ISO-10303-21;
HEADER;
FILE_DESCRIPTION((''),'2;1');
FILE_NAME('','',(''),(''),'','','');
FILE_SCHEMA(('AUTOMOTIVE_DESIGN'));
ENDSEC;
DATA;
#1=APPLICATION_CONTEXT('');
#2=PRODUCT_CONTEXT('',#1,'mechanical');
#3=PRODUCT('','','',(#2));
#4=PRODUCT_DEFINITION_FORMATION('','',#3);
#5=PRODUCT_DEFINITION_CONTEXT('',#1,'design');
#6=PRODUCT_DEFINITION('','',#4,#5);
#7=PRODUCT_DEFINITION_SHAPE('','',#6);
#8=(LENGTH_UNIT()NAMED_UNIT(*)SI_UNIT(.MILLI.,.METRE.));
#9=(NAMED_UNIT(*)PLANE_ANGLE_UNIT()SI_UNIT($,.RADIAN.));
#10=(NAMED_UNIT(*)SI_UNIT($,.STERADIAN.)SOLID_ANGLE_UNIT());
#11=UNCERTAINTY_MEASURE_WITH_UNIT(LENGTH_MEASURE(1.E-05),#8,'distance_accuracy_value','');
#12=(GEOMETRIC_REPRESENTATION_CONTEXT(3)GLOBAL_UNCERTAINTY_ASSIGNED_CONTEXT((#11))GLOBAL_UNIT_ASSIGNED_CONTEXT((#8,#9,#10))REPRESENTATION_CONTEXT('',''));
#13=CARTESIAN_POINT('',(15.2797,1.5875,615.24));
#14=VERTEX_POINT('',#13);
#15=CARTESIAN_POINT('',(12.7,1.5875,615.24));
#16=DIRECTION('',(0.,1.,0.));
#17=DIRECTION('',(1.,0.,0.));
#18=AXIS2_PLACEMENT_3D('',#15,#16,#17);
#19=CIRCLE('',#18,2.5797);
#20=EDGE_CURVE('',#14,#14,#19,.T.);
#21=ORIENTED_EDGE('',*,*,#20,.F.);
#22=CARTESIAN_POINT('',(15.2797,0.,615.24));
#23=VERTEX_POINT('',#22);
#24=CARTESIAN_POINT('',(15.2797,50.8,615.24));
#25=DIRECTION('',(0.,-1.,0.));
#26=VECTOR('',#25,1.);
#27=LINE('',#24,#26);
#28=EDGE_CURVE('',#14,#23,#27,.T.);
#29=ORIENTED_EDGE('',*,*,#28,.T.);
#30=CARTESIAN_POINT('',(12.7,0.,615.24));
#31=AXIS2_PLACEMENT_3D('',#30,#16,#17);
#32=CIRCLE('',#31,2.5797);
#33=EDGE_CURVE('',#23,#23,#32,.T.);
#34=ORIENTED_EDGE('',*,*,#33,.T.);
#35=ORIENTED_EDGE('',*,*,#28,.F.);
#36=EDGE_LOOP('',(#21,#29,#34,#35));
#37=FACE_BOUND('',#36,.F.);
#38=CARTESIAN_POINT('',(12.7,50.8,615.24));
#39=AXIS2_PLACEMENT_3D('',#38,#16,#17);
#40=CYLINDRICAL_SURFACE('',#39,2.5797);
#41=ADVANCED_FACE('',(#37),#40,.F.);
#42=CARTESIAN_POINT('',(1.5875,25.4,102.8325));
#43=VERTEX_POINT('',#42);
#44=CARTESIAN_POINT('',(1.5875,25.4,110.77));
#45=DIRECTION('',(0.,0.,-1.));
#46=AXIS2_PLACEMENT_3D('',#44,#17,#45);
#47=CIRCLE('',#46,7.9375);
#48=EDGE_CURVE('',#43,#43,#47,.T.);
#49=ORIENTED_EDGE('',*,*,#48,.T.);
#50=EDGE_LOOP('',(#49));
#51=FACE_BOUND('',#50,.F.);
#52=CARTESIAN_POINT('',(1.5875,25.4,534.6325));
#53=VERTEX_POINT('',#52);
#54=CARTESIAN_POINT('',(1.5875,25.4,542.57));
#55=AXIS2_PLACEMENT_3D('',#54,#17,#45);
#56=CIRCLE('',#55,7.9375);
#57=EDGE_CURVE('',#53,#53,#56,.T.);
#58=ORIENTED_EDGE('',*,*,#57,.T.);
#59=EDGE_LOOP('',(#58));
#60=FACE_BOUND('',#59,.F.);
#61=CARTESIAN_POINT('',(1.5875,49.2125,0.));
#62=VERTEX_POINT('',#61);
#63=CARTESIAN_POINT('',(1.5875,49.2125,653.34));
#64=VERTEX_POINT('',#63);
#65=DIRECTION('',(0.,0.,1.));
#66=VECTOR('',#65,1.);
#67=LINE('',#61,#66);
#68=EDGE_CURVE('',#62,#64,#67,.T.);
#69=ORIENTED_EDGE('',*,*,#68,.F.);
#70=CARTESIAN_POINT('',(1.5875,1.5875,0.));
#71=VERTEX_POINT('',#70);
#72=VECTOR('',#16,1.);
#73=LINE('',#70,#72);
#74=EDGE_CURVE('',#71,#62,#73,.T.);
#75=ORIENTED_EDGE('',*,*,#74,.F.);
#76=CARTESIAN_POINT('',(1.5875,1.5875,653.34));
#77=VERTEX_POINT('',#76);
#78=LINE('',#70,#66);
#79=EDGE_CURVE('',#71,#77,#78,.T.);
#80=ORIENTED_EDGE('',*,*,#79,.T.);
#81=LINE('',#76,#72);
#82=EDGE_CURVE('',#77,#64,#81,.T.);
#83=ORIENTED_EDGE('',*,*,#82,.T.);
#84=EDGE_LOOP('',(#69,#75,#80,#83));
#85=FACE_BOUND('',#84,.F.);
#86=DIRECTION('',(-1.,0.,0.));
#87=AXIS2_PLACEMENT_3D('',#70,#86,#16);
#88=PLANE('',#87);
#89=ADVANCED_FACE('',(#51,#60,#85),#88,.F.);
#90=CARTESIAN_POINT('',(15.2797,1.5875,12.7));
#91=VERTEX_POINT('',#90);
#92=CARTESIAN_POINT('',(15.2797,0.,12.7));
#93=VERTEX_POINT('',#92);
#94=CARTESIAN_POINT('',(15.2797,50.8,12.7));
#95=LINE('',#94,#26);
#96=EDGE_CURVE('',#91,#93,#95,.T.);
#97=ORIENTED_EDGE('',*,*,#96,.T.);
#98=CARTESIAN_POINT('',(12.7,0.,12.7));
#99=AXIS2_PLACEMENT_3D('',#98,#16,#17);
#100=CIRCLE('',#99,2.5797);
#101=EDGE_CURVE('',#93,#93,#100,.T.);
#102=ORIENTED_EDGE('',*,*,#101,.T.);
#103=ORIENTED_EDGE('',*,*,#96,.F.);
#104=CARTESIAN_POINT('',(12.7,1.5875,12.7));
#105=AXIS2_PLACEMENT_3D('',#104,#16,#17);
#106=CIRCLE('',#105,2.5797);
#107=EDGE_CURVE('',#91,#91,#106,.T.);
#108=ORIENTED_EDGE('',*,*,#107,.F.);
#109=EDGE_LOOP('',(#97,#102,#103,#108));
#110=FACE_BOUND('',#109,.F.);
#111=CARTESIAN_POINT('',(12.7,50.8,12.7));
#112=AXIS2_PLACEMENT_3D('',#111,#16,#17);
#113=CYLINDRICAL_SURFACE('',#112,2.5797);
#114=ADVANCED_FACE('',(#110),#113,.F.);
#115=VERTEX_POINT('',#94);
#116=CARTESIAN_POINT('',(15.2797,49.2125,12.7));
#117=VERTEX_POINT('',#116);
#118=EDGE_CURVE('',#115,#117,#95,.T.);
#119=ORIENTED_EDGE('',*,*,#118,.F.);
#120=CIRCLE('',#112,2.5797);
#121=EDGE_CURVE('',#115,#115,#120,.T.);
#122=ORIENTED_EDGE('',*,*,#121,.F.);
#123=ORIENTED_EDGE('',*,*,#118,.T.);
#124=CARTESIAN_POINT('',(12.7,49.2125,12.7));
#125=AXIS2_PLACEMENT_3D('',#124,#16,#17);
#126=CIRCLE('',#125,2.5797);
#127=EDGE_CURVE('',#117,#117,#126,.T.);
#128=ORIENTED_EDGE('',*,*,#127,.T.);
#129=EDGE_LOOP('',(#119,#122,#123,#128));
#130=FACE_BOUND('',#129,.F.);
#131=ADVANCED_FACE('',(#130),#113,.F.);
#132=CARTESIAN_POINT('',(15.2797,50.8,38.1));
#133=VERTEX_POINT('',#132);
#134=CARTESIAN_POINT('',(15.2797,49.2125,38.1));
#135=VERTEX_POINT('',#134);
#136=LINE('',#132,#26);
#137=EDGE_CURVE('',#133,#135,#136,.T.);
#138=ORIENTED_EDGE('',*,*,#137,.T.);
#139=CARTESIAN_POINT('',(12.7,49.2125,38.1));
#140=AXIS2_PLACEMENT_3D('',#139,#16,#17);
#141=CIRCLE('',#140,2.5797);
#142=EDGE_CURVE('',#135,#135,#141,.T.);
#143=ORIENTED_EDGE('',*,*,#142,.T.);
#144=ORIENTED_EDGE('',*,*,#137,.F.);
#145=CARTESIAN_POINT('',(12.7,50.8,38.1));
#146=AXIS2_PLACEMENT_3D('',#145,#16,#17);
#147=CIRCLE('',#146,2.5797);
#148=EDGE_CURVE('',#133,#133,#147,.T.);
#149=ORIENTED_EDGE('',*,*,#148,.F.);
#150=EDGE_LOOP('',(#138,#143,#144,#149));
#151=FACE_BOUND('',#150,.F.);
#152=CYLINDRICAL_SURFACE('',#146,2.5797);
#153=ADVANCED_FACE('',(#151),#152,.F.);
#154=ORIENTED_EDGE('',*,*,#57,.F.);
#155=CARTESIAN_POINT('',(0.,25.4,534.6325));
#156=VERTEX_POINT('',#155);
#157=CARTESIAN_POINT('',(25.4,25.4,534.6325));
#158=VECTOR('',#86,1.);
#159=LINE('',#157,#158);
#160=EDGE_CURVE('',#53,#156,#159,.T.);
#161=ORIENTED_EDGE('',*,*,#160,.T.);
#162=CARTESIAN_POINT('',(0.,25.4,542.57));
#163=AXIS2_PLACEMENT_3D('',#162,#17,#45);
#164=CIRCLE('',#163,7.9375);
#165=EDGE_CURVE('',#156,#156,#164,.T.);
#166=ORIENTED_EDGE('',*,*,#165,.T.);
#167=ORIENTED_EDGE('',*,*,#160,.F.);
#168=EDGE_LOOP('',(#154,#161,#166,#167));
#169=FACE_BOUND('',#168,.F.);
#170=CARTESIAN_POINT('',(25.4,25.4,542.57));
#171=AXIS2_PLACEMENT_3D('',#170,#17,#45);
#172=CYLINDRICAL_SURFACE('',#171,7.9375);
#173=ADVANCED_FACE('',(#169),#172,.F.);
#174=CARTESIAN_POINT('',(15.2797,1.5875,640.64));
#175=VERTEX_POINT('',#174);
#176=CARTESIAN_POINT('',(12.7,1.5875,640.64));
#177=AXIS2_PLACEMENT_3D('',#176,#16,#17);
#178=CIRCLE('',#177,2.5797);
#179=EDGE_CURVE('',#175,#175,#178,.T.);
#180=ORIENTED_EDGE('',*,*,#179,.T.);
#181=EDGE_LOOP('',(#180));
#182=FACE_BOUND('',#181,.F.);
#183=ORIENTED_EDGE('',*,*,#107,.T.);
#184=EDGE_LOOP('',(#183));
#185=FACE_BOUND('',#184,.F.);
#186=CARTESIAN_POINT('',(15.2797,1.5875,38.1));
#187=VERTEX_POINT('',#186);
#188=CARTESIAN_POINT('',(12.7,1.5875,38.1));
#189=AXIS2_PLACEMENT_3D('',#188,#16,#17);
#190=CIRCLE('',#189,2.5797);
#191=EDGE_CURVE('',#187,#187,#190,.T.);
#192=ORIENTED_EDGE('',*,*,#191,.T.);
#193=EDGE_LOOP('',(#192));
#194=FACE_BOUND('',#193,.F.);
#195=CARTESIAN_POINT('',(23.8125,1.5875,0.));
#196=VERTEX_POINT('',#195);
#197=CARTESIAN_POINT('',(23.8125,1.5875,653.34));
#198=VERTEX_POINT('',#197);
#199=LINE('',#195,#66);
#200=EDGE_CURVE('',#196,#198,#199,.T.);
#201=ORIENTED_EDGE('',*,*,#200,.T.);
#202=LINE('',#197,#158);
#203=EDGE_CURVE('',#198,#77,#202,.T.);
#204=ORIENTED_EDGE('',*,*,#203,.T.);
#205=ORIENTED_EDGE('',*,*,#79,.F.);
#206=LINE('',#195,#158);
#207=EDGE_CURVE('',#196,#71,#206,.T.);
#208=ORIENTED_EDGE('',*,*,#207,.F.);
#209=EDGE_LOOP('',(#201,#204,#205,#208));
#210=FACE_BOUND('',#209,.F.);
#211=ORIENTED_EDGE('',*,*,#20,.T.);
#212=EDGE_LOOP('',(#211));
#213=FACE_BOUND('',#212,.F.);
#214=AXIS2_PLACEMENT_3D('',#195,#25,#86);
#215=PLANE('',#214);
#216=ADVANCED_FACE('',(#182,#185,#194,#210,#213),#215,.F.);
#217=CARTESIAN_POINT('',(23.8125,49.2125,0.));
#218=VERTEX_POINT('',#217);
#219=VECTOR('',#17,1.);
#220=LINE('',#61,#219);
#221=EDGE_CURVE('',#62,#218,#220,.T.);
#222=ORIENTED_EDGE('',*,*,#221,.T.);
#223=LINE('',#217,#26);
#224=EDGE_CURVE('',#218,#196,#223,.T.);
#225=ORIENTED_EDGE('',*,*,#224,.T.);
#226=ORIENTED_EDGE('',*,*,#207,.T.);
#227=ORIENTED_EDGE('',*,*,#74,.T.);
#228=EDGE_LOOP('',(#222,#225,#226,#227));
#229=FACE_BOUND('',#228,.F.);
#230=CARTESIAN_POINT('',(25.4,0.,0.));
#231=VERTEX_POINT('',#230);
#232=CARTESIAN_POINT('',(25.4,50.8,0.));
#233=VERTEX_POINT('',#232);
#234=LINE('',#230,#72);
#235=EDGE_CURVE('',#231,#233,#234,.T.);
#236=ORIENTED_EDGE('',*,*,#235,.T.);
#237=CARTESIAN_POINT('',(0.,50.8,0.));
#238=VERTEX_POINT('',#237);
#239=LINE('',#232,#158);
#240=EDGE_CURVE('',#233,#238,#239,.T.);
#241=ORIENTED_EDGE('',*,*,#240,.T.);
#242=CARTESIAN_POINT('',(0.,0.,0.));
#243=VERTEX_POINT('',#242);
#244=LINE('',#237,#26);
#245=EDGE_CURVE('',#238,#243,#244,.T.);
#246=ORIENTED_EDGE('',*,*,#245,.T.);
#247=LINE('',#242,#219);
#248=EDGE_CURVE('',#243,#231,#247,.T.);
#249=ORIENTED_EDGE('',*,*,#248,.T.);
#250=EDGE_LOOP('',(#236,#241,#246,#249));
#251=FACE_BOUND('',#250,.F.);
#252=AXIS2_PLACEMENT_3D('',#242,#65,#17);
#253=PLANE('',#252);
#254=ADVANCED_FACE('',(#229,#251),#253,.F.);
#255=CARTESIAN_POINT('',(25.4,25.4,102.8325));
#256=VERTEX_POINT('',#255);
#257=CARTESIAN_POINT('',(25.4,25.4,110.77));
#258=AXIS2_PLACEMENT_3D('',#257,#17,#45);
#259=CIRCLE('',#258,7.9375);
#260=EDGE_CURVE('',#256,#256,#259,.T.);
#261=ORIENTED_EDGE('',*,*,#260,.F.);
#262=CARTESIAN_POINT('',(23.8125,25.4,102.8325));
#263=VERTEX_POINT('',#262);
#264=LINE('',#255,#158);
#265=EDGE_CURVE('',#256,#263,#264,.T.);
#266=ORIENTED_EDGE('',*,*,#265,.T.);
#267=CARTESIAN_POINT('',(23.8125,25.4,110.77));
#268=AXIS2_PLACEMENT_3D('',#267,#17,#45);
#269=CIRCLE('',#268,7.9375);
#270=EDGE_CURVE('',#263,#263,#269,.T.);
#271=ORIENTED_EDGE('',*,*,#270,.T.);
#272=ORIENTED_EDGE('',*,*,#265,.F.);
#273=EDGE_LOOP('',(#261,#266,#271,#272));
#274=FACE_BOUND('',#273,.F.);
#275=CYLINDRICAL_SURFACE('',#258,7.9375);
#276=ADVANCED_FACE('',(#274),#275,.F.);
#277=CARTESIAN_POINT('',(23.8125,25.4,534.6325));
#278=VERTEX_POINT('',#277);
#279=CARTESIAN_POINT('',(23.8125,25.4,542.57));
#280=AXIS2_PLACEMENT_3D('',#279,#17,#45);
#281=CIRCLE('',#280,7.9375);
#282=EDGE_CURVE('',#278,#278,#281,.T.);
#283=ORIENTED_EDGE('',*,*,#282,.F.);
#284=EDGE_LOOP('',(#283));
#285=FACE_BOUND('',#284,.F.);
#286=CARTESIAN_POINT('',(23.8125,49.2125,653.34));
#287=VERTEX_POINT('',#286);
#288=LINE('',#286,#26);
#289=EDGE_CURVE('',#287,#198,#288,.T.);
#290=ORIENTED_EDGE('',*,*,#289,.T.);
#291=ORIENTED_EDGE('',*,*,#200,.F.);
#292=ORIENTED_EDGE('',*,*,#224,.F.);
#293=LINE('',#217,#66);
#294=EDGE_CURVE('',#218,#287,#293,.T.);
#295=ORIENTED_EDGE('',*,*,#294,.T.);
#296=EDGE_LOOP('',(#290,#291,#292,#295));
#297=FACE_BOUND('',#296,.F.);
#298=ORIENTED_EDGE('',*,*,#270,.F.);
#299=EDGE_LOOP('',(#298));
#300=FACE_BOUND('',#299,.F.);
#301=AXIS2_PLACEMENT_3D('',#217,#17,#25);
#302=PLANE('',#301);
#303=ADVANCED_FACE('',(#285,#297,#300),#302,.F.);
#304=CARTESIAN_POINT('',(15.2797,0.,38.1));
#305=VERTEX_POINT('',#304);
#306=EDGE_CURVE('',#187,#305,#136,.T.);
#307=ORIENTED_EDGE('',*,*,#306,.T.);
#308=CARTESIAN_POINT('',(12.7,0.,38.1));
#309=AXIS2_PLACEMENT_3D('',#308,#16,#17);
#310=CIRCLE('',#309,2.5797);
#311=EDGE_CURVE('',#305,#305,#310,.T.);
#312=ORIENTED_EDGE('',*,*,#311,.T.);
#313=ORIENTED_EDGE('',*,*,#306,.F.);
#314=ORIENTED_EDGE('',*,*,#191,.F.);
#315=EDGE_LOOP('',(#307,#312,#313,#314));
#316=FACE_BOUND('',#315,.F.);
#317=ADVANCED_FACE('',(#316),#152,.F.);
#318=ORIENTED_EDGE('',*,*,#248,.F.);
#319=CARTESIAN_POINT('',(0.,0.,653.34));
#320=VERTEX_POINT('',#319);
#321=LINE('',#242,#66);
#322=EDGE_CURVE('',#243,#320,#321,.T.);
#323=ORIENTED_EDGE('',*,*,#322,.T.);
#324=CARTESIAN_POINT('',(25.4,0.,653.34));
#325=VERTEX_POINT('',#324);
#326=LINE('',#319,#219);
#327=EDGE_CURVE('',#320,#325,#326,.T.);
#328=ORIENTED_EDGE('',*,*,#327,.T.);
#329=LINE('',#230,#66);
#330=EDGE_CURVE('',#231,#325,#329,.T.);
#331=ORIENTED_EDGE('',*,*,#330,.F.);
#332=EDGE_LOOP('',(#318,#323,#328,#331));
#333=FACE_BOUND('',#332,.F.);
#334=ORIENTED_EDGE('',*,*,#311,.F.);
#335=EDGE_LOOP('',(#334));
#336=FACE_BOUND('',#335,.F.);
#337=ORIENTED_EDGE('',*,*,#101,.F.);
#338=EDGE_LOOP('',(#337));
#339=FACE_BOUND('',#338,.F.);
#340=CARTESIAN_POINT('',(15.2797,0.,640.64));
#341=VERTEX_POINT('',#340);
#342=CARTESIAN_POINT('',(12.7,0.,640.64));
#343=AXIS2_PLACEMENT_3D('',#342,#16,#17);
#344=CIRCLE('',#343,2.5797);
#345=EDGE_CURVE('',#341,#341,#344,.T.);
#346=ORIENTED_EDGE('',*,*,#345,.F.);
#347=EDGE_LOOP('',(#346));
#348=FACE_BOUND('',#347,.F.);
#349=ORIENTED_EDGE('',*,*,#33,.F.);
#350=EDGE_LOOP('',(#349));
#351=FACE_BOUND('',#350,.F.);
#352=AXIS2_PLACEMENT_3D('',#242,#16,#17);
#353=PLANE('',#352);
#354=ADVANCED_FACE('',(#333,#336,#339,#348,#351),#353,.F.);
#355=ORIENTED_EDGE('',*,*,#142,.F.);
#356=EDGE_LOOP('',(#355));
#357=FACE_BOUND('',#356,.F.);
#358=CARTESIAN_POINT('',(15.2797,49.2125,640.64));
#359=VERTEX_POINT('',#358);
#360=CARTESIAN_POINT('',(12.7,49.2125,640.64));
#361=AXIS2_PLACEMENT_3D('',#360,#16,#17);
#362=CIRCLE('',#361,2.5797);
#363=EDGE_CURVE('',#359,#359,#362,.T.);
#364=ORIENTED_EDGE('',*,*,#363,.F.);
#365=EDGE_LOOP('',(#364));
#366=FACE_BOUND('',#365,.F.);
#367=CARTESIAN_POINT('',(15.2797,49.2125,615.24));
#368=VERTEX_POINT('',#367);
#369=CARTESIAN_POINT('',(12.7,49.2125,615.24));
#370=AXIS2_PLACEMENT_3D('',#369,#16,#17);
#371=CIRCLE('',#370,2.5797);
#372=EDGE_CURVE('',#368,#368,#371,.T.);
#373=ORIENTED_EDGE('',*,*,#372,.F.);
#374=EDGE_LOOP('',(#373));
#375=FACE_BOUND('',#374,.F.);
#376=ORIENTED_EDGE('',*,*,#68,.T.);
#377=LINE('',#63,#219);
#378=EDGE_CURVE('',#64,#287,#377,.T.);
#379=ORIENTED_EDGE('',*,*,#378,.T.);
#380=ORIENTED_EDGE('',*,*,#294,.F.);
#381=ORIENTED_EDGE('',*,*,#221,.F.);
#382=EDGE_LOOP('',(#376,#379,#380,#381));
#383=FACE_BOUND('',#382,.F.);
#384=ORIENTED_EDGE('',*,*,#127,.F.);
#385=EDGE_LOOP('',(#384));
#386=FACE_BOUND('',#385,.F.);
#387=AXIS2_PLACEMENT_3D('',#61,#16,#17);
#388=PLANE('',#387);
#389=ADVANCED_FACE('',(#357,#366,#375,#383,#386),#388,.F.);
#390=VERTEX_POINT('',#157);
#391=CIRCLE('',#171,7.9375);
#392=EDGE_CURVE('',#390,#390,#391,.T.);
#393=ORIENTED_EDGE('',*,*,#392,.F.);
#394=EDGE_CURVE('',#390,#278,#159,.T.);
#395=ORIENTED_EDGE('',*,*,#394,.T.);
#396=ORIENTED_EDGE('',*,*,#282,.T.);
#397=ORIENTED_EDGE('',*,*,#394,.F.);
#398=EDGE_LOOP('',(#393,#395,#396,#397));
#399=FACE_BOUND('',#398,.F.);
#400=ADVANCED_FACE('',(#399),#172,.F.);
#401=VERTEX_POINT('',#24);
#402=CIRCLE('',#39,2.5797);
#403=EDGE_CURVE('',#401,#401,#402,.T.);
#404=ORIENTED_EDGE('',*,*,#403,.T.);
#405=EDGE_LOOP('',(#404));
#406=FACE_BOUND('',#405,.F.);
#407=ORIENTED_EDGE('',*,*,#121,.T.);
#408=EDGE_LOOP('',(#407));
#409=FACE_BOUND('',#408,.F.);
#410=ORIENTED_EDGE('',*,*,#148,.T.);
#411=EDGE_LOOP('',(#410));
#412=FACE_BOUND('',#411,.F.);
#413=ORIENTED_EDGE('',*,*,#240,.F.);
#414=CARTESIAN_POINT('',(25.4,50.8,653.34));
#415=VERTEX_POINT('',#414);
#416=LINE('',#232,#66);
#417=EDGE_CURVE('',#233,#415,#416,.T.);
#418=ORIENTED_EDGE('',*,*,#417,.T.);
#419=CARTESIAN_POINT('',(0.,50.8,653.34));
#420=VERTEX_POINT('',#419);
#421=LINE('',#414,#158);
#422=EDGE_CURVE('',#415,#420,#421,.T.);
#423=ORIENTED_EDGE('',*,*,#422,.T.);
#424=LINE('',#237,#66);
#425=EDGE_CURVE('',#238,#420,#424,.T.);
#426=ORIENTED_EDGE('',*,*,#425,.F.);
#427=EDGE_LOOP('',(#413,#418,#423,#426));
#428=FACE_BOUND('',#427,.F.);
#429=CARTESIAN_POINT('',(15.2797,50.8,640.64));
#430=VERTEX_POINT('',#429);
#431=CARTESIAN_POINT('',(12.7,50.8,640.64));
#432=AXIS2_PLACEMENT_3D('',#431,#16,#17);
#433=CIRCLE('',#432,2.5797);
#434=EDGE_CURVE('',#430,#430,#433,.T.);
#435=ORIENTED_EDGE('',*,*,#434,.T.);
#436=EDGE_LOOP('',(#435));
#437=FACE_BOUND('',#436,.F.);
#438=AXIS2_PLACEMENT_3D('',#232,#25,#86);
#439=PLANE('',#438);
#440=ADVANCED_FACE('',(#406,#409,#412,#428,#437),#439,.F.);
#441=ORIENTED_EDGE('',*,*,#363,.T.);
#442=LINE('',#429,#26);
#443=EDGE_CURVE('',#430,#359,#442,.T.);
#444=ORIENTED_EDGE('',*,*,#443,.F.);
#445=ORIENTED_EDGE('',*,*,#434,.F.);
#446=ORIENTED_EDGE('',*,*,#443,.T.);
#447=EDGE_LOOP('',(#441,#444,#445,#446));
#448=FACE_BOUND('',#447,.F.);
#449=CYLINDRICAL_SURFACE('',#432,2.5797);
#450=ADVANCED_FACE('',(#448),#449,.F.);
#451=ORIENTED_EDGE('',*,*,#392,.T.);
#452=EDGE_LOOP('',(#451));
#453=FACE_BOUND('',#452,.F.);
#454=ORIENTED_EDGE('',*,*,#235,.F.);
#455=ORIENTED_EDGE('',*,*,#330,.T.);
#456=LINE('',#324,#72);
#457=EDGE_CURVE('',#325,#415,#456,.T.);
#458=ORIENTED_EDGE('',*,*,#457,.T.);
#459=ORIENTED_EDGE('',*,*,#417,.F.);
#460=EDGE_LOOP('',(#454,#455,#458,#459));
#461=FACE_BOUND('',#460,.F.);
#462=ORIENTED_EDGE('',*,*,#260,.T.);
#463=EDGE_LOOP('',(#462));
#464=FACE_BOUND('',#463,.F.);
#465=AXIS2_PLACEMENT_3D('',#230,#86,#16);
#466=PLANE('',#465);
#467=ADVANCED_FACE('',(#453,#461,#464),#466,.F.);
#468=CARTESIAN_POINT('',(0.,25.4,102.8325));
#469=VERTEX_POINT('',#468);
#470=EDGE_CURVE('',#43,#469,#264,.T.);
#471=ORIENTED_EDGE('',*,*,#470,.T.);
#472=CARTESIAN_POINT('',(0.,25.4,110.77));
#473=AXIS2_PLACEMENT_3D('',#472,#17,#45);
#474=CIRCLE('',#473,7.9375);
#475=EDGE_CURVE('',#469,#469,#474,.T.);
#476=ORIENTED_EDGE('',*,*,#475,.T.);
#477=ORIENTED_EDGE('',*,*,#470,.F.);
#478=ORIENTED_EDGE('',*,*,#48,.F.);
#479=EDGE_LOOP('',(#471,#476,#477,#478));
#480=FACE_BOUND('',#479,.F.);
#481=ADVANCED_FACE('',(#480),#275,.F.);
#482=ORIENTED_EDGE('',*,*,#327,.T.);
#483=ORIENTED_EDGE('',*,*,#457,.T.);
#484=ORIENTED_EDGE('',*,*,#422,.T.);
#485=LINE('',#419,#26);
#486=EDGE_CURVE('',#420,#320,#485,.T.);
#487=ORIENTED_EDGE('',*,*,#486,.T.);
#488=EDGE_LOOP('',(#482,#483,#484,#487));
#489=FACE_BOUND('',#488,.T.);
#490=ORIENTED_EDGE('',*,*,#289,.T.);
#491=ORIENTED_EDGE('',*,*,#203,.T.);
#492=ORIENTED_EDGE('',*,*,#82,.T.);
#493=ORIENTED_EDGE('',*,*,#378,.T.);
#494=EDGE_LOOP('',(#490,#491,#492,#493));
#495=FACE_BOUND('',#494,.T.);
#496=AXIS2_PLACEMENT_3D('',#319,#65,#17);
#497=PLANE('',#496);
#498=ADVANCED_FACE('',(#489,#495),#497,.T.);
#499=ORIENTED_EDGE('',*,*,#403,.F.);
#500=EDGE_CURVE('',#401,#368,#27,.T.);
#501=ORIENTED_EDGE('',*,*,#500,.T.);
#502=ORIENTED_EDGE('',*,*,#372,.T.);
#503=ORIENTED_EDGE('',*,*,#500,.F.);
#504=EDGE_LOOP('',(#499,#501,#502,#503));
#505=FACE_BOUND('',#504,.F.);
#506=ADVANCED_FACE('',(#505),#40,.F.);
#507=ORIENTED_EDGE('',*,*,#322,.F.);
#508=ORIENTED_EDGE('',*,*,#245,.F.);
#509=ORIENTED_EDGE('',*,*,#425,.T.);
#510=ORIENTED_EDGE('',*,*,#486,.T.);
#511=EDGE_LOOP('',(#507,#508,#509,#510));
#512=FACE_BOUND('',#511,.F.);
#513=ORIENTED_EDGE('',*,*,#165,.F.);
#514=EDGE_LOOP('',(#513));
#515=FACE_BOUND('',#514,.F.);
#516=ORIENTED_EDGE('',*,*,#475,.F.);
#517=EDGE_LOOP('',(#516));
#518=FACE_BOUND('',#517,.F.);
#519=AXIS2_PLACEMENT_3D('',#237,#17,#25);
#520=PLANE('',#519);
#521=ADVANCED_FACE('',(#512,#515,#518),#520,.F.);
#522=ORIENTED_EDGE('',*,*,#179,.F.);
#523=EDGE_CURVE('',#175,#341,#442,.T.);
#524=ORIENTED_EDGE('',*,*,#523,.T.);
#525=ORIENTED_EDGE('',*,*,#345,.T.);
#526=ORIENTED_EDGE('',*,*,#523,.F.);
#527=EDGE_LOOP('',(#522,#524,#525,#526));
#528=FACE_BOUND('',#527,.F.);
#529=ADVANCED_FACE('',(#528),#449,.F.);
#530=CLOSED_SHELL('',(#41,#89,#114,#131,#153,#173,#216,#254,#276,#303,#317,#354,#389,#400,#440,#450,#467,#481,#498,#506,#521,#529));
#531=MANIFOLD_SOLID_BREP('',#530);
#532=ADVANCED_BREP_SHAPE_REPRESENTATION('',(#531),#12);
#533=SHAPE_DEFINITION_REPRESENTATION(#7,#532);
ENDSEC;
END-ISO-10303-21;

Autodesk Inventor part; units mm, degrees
ref_plane "YZ Plane" through (0, 0, 0) normal (1, 0, 0) x (0, 1, 0)
ref_plane "XZ Plane" through (0, 0, 0) normal (0, 1, 0) x (-1, 0, 0)
ref_plane "XY Plane" through (0, 0, 0) normal (0, 0, 1) x (1, 0, 0)
sketch "Sketch1" plane through (0, 0, 0) normal (0, 0, 1) x (1, 0, 0)
  line L0 (0, 0) -> (25.4, 0)
  line L1 (25.4, 0) -> (25.4, 50.8)
  line L2 (25.4, 50.8) -> (0, 50.8)
  line L3 (0, 50.8) -> (0, 0)
  line L4 (1.5875, 49.2125) -> (23.8125, 49.2125)
  line L5 (23.8125, 49.2125) -> (23.8125, 1.5875)
  line L6 (23.8125, 1.5875) -> (1.5875, 1.5875)
  line L7 (1.5875, 1.5875) -> (1.5875, 49.2125)
  dimension "d0" = 25.4
  dimension "d1" = 50.8
  dimension "d2" = 1.5875
extrude "Extrusion1" add sketch "Sketch1" along normal blind 653.34
sketch "Sketch2" plane through (0, 50.8, 0) normal (0, 1, 0) x (1, 0, 0)
  line L0 (25.4, 0) -> (0, 0) construction
  line L1 (12.7, 0) -> (12.7, -12.7) construction
  line L2 (12.7, -12.7) -> (12.7, -38.1) construction
  line L3 (0, -653.34) -> (25.4, -653.34) construction
  line L4 (12.7, -653.34) -> (12.7, -640.64) construction
  line L5 (12.7, -640.64) -> (12.7, -615.24) construction
  circle A0 centre (12.7, -640.64) radius 2.5797
  circle A1 centre (12.7, -615.24) radius 2.5797
  circle A2 centre (12.7, -38.1) radius 2.5797
  circle A3 centre (12.7, -12.7) radius 2.5797
  dimension "d5" = 12.7
  dimension "d6" = 25.4
  dimension "d7" = 12.7
  dimension "d8" = 25.4
  dimension "d9" = 5.1594
extrude "Extrusion2" cut sketch "Sketch2" against normal blind 653.34
sketch "Sketch3" plane through (25.4, 0, 0) normal (1, 0, 0) x (0, 0, -1)
  line L0 (0, 50.8) -> (-653.34, 50.8) construction
  line L1 (-326.67, 50.8) -> (-326.67, 0) construction
  line L2 (0, 0) -> (-653.34, 0) construction
  line L3 (0, 49.2125) -> (0, 1.5875) construction
  line L4 (0, 25.4) -> (-110.77, 25.4) construction
  circle A0 centre (-110.77, 25.4) radius 7.9375
  circle A1 centre (-542.57, 25.4) radius 7.9375
  dimension "d12" = 110.77
  dimension "d13" = 15.875
extrude "Extrusion3" cut sketch "Sketch3" against normal blind 653.34
properties part number "1x2 piston attachment"
